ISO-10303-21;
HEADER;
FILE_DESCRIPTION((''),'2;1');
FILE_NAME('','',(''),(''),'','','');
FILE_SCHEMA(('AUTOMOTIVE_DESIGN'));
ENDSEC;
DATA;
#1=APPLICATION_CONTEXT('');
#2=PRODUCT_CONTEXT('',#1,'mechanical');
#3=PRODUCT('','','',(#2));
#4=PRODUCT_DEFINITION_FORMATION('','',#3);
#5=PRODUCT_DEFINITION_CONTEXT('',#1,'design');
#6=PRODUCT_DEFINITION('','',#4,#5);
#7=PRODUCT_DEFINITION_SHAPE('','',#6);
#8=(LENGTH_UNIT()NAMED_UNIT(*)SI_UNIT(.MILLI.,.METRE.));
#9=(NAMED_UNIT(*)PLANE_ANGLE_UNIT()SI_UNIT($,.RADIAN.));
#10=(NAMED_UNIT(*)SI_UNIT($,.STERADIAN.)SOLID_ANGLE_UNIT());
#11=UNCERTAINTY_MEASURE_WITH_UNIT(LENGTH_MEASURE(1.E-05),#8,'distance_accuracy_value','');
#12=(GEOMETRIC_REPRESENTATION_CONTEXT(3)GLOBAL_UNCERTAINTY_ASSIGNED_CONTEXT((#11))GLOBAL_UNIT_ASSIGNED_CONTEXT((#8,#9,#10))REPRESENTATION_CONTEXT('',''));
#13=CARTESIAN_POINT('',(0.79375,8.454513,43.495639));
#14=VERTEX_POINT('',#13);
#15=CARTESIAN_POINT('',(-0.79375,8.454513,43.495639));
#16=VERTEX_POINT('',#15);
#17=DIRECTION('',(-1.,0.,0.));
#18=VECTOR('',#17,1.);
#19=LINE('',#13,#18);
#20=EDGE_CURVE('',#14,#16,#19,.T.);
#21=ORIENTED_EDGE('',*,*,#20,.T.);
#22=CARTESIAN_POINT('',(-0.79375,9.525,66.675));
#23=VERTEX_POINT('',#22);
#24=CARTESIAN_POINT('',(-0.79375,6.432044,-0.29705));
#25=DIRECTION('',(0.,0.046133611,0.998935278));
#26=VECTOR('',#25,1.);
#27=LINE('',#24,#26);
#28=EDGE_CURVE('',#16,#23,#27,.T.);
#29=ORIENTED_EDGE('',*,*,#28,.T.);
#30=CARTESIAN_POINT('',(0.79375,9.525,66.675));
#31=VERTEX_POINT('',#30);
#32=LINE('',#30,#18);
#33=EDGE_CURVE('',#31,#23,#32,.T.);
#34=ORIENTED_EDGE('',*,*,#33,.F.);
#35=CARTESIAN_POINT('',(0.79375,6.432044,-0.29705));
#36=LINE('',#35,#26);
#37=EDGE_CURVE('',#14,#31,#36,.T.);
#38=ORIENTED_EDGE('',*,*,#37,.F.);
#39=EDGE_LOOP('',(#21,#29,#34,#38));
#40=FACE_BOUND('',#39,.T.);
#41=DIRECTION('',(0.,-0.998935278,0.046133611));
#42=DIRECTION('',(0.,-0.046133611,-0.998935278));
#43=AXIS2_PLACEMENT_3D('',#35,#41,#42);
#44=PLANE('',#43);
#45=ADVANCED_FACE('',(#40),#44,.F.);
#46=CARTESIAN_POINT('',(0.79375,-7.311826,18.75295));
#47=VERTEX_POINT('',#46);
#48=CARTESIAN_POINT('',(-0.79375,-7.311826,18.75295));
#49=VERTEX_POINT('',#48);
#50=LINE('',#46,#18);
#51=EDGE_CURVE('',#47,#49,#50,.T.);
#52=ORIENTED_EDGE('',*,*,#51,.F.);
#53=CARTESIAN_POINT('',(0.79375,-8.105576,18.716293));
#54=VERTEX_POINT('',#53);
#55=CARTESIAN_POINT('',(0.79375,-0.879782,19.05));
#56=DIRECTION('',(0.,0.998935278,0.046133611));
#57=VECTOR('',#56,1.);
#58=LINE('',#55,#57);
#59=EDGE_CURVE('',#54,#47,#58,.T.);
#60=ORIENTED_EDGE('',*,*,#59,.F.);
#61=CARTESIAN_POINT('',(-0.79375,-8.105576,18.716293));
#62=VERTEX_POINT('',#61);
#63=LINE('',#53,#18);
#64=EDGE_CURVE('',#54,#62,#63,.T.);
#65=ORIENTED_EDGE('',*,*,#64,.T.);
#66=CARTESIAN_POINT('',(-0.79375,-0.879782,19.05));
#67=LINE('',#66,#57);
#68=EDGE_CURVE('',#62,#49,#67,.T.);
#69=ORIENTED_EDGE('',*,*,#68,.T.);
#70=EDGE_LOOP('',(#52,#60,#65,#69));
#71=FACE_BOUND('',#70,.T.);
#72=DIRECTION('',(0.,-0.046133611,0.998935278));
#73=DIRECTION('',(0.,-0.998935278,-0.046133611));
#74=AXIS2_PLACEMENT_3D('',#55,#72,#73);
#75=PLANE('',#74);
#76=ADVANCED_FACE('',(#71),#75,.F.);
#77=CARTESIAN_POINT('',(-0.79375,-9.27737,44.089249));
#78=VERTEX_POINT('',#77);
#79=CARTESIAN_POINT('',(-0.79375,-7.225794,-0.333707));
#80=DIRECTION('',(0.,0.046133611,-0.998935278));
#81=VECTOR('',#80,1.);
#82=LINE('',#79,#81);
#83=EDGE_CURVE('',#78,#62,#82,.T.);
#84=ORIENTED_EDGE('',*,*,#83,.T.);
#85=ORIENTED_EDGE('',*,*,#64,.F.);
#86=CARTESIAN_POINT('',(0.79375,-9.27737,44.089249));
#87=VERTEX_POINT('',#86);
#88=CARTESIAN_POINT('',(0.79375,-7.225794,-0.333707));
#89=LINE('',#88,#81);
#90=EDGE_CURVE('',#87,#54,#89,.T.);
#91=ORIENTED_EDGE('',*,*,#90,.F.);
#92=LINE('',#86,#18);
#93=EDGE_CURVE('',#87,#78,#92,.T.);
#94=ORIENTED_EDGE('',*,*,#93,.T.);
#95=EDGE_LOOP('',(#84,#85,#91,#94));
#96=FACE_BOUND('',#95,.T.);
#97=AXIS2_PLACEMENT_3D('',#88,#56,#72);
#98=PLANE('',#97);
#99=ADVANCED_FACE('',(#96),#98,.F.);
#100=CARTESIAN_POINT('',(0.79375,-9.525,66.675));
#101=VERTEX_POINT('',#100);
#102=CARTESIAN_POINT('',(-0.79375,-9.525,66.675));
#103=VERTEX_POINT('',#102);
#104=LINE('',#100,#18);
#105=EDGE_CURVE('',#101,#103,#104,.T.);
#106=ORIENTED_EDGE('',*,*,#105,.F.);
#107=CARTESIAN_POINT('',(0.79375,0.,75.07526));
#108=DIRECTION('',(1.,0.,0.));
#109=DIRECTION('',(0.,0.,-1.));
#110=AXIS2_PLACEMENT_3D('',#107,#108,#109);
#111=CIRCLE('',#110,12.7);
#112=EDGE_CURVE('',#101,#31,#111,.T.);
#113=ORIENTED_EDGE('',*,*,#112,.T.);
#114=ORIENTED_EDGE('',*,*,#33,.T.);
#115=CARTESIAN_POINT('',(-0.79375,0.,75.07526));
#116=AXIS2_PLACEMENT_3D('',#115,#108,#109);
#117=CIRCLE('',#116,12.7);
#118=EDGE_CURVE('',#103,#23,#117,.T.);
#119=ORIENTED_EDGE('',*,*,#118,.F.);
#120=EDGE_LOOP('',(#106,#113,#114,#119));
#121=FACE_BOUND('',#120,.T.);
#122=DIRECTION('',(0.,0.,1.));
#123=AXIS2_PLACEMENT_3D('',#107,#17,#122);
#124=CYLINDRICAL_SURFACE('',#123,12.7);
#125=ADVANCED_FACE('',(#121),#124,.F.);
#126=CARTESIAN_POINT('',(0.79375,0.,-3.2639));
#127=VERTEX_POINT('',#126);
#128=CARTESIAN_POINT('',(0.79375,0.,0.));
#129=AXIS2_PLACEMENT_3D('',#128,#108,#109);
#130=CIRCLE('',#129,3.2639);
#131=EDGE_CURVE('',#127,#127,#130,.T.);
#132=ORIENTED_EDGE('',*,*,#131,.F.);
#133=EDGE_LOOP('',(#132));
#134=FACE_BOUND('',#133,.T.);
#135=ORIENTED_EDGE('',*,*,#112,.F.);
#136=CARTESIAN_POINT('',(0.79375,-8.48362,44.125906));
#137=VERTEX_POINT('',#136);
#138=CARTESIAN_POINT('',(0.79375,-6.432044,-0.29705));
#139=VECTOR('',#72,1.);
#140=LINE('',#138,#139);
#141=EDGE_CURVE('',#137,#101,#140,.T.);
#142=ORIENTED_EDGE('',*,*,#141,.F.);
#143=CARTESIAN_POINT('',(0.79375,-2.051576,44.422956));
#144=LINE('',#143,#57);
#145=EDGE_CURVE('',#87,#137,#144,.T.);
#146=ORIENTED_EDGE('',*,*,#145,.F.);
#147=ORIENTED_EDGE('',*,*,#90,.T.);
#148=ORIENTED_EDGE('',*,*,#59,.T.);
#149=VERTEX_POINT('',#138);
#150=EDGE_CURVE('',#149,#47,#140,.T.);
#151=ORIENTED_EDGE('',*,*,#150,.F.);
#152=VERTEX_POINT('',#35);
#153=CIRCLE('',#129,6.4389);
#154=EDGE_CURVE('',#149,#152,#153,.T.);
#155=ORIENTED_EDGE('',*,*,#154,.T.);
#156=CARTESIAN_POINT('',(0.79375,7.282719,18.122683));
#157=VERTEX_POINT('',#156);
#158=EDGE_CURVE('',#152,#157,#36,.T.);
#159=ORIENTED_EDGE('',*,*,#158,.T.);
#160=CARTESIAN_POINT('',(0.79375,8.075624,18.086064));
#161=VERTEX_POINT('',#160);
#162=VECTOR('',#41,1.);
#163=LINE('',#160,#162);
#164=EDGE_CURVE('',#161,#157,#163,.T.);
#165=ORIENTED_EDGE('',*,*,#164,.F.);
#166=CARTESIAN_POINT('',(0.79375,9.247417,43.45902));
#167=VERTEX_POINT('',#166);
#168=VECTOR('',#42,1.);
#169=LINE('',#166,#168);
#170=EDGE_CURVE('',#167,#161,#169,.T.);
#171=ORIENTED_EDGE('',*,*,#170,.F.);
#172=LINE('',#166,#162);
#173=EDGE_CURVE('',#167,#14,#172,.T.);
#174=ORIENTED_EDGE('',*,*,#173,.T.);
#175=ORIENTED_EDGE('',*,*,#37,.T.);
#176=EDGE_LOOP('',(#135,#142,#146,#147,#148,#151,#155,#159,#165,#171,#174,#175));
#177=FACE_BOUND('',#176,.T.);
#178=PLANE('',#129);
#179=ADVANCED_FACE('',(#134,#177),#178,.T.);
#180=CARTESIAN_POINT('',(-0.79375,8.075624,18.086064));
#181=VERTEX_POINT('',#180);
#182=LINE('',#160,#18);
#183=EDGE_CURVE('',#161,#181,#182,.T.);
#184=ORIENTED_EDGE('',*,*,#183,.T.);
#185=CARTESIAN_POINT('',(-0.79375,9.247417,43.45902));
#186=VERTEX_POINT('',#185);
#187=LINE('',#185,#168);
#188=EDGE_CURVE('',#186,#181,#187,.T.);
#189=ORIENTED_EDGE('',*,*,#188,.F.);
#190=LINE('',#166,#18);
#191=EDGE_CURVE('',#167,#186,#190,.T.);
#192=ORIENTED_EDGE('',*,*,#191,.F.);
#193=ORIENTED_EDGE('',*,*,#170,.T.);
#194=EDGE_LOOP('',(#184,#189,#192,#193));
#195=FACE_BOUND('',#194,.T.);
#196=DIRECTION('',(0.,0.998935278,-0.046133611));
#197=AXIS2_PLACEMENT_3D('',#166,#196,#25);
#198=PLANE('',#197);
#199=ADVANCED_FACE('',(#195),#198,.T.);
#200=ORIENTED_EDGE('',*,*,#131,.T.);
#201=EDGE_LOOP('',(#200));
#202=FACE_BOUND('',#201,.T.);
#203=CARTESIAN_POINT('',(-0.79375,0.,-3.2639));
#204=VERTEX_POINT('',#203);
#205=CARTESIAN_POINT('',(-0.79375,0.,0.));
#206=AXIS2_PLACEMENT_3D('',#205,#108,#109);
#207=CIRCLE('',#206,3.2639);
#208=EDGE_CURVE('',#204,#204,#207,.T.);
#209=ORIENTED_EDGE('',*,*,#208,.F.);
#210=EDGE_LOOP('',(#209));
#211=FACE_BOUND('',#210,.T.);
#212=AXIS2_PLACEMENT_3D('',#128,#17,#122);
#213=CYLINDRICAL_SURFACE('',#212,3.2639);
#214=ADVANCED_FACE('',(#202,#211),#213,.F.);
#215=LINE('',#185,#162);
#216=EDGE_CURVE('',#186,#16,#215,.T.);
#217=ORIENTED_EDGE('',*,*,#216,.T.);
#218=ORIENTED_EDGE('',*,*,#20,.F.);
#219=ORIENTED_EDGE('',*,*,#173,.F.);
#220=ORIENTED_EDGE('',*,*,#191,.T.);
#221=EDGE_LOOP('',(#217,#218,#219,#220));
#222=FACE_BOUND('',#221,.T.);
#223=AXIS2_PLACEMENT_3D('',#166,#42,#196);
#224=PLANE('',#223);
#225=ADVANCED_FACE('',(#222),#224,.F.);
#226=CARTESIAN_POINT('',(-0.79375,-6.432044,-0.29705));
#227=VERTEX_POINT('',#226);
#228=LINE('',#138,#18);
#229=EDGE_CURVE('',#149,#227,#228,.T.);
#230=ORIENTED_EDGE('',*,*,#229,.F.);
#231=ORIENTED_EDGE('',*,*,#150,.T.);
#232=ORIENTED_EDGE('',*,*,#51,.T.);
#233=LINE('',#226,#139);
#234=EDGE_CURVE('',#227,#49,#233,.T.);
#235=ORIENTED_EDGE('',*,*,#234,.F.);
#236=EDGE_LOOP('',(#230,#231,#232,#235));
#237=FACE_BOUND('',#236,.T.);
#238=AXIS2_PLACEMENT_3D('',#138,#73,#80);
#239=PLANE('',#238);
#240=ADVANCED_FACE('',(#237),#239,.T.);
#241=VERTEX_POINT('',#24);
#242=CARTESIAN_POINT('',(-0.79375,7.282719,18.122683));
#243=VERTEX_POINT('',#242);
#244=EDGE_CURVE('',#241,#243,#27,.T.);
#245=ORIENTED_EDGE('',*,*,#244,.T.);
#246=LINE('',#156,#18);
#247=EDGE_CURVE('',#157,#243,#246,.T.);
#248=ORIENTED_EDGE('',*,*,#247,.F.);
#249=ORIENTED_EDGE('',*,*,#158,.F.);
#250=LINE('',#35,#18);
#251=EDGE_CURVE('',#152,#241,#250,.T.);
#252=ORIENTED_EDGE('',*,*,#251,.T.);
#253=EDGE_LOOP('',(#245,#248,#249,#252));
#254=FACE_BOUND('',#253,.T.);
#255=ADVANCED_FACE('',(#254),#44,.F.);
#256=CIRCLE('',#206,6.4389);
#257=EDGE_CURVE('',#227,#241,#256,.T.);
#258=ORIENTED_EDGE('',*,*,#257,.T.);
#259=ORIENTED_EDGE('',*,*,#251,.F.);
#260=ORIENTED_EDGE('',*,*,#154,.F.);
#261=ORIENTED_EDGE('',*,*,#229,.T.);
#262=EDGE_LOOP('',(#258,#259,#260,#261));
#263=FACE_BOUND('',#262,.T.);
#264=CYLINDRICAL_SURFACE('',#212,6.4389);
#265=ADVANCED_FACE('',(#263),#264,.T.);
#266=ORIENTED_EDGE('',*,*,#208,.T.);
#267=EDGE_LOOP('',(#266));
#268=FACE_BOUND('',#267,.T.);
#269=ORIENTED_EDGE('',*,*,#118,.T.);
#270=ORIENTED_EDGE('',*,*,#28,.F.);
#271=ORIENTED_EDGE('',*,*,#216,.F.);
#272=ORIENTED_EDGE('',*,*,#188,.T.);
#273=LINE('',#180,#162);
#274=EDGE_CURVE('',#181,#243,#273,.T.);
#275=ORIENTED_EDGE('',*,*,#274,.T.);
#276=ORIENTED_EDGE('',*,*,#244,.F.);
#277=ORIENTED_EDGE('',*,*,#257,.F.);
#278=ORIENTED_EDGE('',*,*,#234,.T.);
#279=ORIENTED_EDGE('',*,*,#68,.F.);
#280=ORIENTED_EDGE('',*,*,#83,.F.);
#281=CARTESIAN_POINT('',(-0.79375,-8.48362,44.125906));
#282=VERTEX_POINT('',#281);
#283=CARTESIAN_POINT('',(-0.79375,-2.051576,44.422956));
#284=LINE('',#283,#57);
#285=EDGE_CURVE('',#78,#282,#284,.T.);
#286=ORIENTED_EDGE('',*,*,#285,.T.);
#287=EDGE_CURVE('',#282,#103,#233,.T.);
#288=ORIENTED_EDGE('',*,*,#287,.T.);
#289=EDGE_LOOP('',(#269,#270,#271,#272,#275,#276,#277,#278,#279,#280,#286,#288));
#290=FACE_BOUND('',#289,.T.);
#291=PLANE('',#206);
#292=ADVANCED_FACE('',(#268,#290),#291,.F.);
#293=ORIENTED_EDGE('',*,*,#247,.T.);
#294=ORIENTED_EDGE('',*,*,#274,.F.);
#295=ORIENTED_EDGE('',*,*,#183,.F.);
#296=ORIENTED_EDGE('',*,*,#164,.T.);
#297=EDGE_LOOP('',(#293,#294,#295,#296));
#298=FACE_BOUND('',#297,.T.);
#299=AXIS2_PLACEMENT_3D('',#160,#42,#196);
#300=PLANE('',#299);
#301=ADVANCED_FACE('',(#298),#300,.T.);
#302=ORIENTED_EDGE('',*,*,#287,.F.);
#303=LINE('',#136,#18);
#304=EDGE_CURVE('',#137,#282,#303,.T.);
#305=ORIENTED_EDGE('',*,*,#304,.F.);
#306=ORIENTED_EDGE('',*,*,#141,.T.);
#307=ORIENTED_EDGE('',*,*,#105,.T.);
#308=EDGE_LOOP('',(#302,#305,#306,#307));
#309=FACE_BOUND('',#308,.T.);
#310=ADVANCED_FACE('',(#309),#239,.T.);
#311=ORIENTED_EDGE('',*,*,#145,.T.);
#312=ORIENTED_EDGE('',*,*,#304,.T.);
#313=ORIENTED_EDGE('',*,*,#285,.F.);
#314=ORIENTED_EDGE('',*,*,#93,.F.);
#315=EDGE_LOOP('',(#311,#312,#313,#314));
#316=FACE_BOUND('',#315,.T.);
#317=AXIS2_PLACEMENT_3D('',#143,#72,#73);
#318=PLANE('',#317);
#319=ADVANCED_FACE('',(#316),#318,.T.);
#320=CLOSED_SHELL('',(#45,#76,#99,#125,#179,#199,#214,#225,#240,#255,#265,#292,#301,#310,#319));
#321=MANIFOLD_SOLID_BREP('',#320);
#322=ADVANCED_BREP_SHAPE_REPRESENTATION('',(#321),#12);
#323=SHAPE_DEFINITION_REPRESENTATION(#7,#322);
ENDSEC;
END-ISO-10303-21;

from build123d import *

# Parameters (mm, degrees)
SKETCH1_R           = 3.2639
BOSS_EXTRUDE1_DEPTH = 0.79375


with BuildPart() as part:
    # Sketch1 → Boss-Extrude1 (new, symmetric)
    with BuildSketch(Plane(origin=(0, 0, 0), x_dir=(0, 0, -1), z_dir=(1, 0, 0))):
        with BuildLine():
            Line((-43.495639045, 8.454512603), (-66.675, 9.525))
            ThreePointArc((-66.675, 9.525), (-62.375260413, 0), (-66.675, -9.525))
            Line((-66.675, -9.525), (-44.125906356, -8.483620102))
            Line((-44.125906356, -8.483620102), (-44.089248772, -9.277370102))
            Line((-44.089248772, -9.277370102), (-18.716292707, -8.105576378))
            Line((-18.716292707, -8.105576378), (-18.752950291, -7.311826378))
            Line((-18.752950291, -7.311826378), (0.297049709, -6.432044362))
            ThreePointArc((0.297049709, -6.432044362), (6.4389, 0), (0.297049709, 6.432044362))
            Line((0.297049709, 6.432044362), (-18.12268298, 7.28271888))
            Line((-18.12268298, 7.28271888), (-18.086064426, 8.075623757))
            Line((-18.086064426, 8.075623757), (-43.459020491, 9.24741748))
            Line((-43.459020491, 9.24741748), (-43.495639045, 8.454512603))
        make_face()
        Circle(SKETCH1_R, mode=Mode.SUBTRACT)
    extrude(amount=BOSS_EXTRUDE1_DEPTH, both=True)


solid = part.part
